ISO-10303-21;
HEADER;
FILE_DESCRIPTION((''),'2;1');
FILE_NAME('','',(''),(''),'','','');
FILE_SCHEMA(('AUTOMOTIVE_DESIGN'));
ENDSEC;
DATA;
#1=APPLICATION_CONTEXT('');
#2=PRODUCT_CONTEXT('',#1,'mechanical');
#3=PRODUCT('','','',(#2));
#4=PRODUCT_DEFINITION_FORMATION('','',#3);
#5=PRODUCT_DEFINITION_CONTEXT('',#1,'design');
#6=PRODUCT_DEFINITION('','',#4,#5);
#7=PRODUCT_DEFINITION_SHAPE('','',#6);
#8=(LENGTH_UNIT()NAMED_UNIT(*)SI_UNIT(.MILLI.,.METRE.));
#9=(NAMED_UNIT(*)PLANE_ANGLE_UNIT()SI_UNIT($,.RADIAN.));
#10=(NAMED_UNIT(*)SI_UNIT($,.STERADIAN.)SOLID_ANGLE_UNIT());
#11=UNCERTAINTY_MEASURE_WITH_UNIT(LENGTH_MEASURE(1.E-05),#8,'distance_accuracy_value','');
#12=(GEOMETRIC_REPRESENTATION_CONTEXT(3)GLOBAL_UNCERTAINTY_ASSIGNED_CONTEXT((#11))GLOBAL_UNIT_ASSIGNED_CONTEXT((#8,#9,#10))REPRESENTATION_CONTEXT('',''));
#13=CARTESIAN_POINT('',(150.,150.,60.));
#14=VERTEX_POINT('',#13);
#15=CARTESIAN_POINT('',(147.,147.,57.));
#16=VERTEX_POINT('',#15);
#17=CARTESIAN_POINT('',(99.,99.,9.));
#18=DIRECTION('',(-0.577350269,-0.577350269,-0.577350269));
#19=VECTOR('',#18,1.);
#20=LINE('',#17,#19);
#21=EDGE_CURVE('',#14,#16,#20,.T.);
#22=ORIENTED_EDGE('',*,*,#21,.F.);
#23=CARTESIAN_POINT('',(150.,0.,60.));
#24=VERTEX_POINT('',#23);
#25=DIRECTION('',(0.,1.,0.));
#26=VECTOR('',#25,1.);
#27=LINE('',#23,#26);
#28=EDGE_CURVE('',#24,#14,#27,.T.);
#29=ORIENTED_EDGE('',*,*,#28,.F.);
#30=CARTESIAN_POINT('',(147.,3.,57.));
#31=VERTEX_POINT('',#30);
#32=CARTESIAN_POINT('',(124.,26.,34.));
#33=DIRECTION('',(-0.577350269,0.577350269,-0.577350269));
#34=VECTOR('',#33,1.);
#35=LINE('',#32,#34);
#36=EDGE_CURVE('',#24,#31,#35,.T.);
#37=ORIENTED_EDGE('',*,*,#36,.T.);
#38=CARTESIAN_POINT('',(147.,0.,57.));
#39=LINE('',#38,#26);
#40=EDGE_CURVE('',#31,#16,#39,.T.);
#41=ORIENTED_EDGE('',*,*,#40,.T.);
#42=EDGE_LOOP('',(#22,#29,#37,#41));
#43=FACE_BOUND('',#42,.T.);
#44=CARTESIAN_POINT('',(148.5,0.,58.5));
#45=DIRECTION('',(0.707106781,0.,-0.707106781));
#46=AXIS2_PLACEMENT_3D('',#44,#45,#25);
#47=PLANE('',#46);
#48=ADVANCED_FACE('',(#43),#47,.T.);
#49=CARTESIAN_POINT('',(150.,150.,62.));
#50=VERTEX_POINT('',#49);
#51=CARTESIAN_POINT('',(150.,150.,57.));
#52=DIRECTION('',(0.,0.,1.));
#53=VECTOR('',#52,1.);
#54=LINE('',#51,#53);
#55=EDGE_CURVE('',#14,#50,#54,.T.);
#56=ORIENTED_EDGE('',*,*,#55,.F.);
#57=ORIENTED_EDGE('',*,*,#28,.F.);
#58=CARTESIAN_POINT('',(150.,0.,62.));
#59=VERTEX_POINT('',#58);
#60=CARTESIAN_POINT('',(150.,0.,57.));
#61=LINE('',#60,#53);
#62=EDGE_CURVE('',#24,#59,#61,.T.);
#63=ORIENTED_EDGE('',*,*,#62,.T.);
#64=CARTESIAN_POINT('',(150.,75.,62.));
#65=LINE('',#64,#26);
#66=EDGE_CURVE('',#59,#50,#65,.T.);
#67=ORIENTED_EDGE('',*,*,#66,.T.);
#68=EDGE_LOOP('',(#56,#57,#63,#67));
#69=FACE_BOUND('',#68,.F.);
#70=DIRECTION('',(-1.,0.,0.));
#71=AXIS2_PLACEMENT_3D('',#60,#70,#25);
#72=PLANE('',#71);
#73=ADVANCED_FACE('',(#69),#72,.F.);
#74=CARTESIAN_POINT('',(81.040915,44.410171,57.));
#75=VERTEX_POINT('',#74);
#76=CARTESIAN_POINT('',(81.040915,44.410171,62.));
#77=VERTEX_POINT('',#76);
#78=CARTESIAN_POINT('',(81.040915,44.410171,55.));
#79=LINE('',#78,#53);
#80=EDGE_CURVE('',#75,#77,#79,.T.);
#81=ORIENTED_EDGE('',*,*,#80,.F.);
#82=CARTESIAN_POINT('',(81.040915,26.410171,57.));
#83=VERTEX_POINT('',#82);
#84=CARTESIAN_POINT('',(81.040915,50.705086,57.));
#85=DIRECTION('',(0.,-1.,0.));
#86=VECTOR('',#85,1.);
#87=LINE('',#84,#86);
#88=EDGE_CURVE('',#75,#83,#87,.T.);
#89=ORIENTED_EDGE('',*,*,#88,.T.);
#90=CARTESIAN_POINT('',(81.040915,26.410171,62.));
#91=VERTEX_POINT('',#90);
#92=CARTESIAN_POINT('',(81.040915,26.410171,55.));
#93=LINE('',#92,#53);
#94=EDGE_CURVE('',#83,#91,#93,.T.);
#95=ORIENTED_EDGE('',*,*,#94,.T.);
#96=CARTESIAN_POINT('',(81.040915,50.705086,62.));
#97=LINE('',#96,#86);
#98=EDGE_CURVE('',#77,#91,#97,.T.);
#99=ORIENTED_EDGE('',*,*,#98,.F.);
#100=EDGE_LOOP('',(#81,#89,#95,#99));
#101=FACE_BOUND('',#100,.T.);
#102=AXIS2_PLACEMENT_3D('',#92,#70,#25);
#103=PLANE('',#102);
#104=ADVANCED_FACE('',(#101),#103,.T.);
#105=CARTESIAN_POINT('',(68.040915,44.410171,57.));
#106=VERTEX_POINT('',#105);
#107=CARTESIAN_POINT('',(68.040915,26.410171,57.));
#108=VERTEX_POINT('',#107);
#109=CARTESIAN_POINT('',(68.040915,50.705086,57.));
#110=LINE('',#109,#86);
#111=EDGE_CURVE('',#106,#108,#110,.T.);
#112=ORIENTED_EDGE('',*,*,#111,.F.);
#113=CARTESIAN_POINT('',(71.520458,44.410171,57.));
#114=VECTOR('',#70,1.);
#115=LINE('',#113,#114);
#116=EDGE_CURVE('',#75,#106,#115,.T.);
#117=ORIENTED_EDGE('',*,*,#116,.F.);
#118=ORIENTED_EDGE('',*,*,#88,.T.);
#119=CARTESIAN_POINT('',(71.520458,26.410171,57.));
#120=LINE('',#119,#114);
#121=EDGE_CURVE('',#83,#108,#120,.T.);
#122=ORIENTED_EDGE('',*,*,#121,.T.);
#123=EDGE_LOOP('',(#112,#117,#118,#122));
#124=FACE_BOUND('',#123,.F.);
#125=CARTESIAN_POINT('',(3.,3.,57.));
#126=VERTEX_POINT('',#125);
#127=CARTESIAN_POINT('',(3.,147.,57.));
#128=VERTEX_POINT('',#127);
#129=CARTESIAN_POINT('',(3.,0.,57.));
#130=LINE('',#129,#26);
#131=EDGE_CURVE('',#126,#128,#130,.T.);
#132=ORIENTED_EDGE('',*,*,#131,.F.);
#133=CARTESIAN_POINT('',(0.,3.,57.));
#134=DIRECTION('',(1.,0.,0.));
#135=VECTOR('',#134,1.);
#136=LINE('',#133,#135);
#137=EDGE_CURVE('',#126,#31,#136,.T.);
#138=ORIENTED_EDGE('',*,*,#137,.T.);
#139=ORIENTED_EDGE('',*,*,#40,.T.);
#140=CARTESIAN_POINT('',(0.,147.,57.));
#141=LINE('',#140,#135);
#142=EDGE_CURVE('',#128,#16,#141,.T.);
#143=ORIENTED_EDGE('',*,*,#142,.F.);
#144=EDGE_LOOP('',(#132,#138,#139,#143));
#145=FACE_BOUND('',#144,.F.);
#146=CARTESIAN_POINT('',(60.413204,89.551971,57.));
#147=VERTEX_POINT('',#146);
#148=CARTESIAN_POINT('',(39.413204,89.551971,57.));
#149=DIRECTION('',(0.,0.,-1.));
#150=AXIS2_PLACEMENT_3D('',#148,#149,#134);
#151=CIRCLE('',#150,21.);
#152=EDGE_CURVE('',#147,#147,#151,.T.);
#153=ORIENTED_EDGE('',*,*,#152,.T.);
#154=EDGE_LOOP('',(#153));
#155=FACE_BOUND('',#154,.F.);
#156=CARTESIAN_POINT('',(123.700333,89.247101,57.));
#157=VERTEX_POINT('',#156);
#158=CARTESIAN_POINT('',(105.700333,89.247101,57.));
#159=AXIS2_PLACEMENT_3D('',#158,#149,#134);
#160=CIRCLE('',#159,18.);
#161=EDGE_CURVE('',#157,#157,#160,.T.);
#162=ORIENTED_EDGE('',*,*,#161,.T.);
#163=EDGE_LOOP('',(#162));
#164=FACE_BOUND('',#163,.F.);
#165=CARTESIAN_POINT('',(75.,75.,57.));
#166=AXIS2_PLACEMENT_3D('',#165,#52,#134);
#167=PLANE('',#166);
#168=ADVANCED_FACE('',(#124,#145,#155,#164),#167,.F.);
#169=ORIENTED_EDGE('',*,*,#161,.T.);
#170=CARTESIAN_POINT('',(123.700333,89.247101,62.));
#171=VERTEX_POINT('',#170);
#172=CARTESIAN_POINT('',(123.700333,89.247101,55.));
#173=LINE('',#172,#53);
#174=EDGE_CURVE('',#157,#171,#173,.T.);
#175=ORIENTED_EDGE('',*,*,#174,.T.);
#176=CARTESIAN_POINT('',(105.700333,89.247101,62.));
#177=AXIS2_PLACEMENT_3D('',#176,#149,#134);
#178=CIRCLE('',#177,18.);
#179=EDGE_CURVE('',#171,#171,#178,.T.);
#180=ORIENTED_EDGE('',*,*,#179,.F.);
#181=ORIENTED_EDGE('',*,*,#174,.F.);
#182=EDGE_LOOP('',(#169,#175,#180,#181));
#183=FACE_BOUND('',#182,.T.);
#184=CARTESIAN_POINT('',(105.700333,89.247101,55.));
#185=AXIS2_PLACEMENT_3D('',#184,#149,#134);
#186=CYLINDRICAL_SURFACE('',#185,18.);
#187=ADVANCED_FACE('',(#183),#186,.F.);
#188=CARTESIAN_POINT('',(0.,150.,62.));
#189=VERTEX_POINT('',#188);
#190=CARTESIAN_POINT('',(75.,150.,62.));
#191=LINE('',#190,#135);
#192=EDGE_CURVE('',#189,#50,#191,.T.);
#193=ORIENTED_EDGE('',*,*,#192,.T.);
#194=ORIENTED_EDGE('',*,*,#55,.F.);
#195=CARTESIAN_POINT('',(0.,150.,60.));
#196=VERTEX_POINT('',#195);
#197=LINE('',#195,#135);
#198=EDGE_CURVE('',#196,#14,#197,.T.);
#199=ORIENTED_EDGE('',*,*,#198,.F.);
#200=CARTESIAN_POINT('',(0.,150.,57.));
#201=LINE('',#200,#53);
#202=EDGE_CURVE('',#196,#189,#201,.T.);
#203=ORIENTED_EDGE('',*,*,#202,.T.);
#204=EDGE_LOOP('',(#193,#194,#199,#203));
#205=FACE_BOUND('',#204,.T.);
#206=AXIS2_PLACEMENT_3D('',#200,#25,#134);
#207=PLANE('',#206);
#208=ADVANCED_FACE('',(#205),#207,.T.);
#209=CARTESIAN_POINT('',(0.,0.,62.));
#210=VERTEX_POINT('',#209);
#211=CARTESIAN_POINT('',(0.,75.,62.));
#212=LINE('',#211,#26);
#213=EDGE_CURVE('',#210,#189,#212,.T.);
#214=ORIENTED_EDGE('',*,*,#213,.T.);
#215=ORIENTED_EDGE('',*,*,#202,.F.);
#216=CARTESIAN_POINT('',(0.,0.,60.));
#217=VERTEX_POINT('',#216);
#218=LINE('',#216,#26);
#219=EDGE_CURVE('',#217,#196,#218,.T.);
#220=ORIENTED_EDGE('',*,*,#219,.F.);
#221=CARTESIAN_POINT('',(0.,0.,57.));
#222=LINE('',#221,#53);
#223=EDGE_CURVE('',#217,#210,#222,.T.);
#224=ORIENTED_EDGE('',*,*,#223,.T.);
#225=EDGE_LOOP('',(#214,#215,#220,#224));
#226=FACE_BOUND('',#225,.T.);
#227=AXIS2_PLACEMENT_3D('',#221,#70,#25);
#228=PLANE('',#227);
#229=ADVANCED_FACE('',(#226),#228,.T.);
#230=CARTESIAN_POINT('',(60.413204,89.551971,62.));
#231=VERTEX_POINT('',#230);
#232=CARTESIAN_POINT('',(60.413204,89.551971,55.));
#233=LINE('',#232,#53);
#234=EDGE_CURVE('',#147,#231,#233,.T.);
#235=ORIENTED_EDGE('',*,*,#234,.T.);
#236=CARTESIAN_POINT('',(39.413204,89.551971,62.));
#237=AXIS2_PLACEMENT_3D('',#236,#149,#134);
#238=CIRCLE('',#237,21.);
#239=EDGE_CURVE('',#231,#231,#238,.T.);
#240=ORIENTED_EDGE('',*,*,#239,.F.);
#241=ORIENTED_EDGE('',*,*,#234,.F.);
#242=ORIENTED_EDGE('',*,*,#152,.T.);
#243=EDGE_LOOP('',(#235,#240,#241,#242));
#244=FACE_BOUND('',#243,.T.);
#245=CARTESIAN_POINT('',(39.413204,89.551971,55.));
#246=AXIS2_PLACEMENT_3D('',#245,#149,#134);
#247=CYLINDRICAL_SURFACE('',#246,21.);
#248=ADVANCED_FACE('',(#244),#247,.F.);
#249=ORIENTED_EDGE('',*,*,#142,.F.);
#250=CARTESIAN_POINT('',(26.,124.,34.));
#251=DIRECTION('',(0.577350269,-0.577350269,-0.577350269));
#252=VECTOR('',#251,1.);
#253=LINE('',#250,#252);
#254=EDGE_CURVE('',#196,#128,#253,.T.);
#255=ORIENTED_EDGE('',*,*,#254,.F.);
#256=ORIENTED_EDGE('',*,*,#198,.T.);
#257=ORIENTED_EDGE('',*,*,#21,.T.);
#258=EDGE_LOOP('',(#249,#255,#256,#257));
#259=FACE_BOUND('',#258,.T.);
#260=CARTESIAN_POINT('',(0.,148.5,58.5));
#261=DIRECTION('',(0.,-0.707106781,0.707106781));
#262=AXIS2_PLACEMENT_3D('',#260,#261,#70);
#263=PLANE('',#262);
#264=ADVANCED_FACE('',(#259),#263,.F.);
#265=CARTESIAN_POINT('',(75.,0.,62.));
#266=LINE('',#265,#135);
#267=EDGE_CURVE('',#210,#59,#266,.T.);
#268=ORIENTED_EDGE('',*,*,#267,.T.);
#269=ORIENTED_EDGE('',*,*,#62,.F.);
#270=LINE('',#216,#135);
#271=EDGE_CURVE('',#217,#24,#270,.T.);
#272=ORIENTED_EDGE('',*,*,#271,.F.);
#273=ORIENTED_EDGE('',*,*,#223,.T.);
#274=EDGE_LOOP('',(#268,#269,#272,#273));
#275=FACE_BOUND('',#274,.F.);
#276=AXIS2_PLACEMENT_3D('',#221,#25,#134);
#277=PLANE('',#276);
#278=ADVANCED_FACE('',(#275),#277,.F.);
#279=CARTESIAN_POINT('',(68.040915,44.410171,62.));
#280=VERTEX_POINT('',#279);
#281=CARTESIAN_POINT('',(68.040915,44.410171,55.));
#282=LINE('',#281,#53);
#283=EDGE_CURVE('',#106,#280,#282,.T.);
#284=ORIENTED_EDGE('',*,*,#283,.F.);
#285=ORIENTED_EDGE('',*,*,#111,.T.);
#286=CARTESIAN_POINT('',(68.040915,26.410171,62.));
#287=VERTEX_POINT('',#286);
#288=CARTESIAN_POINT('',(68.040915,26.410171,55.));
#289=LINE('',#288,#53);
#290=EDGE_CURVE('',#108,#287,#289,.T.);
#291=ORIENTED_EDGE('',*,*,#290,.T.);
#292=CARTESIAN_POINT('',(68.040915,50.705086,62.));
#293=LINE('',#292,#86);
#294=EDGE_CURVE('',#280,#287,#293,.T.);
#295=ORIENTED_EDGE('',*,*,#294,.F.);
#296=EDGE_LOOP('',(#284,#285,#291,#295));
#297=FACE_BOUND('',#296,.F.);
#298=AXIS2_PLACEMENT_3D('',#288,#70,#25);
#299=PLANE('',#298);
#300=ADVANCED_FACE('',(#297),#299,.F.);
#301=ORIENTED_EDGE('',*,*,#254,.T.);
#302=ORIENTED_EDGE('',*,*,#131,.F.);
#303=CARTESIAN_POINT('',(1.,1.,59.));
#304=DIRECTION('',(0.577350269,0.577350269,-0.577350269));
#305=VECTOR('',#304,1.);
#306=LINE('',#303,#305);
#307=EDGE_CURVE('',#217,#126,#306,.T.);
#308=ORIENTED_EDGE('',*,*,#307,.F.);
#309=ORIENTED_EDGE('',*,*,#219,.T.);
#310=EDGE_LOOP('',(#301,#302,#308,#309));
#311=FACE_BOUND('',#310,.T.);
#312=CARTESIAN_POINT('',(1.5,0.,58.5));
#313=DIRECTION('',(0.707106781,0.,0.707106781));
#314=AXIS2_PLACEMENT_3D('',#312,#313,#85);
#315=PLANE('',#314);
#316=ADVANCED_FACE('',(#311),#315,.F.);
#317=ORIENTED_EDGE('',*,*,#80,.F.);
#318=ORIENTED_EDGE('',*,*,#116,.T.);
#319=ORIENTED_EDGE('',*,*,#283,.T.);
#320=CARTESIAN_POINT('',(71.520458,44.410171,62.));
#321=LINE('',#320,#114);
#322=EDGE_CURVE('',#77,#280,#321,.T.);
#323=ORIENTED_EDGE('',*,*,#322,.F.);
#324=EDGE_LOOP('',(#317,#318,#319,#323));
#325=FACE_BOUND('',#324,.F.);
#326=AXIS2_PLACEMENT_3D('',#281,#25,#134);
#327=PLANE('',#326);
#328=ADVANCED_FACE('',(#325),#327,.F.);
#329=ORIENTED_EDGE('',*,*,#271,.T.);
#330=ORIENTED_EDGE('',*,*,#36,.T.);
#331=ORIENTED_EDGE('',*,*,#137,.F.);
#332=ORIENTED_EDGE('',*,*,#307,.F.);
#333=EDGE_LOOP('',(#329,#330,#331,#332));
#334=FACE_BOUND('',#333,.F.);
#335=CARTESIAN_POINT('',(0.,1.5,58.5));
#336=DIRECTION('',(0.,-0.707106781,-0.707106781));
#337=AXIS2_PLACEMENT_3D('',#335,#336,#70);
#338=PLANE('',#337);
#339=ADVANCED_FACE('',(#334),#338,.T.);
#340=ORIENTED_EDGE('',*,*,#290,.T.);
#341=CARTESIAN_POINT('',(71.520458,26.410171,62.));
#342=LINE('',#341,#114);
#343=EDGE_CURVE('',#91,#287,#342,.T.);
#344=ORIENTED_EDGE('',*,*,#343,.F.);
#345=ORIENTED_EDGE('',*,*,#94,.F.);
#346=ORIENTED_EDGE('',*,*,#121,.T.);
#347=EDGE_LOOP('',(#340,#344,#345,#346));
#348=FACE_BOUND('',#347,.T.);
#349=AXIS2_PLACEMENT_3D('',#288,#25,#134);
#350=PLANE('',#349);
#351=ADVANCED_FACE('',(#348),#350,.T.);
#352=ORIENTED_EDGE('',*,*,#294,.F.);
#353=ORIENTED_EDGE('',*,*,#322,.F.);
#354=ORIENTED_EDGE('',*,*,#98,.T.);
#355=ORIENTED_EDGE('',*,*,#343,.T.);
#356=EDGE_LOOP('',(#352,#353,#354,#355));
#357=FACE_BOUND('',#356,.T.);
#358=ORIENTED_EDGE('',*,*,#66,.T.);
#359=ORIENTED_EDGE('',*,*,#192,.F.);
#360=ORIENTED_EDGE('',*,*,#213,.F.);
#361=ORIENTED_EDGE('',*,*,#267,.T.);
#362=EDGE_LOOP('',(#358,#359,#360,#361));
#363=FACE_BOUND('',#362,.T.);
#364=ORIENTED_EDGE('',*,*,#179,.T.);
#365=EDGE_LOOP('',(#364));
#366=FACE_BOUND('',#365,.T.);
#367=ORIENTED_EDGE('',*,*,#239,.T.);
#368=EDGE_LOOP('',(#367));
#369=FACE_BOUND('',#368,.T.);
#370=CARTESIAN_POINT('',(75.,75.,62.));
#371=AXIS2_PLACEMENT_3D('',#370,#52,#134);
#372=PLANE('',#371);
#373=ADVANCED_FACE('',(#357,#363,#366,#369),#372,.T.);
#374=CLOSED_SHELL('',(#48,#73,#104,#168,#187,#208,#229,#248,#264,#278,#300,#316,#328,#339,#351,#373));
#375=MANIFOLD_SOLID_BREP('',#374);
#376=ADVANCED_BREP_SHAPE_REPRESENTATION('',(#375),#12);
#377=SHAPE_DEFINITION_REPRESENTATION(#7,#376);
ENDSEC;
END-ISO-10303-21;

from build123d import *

# Parameters (mm, degrees)
SKETCH002_R      = 21
SKETCH002_R_2    = 18
SKETCH002_W      = 13
SKETCH002_H      = 18
EXTRUDE002_DEPTH = 10
BOX002_W         = 150
BOX002_H         = 150
BOX002_DEPTH     = 5
CHAMFER_SIZE     = 3


with BuildPart() as extrude002:
    # Sketch002 (on Face6 of Box002) → Extrude002 (new body)
    with BuildSketch(Plane.XY.offset(5)):
        with Locations((39.413204, 89.551971)):
            Circle(SKETCH002_R)
        with Locations((105.700333, 89.247101)):
            Circle(SKETCH002_R_2)
        with Locations((74.540915, 35.410171)):
            Rectangle(SKETCH002_W, SKETCH002_H)
    extrude(amount=EXTRUDE002_DEPTH)


with BuildPart() as extrude002_1:
    # Extrude002 placement: moved
    add(extrude002.part.moved(Location((0, 0, -7))))


with BuildPart() as tapacaja003:
    # Box002 → Box002 (new body)
    with BuildSketch(Plane.XY):
        with Locations((75, 75)):
            Rectangle(BOX002_W, BOX002_H)
    extrude(amount=BOX002_DEPTH)

    # Cut002: cut Extrude002
    add(extrude002_1.part, mode=Mode.SUBTRACT)


with BuildPart() as tapacaja003_1:
    # Cut002 placement: moved
    add(tapacaja003.part.moved(Location((0, 0, 61))))

    # Chamfer
    chamfer_edges = [tapacaja003_1.edges().sort_by_distance(p)[0] for p in [
        (0, 75, 61),
        (75, 0, 61),
        (75, 150, 61),
        (150, 75, 61),
    ]]
    chamfer(chamfer_edges, length=CHAMFER_SIZE)


with BuildPart() as tapacaja003_2:
    # Chamfer placement: moved
    add(tapacaja003_1.part.moved(Location((0, 0, -4))))


solid = tapacaja003_2.part
